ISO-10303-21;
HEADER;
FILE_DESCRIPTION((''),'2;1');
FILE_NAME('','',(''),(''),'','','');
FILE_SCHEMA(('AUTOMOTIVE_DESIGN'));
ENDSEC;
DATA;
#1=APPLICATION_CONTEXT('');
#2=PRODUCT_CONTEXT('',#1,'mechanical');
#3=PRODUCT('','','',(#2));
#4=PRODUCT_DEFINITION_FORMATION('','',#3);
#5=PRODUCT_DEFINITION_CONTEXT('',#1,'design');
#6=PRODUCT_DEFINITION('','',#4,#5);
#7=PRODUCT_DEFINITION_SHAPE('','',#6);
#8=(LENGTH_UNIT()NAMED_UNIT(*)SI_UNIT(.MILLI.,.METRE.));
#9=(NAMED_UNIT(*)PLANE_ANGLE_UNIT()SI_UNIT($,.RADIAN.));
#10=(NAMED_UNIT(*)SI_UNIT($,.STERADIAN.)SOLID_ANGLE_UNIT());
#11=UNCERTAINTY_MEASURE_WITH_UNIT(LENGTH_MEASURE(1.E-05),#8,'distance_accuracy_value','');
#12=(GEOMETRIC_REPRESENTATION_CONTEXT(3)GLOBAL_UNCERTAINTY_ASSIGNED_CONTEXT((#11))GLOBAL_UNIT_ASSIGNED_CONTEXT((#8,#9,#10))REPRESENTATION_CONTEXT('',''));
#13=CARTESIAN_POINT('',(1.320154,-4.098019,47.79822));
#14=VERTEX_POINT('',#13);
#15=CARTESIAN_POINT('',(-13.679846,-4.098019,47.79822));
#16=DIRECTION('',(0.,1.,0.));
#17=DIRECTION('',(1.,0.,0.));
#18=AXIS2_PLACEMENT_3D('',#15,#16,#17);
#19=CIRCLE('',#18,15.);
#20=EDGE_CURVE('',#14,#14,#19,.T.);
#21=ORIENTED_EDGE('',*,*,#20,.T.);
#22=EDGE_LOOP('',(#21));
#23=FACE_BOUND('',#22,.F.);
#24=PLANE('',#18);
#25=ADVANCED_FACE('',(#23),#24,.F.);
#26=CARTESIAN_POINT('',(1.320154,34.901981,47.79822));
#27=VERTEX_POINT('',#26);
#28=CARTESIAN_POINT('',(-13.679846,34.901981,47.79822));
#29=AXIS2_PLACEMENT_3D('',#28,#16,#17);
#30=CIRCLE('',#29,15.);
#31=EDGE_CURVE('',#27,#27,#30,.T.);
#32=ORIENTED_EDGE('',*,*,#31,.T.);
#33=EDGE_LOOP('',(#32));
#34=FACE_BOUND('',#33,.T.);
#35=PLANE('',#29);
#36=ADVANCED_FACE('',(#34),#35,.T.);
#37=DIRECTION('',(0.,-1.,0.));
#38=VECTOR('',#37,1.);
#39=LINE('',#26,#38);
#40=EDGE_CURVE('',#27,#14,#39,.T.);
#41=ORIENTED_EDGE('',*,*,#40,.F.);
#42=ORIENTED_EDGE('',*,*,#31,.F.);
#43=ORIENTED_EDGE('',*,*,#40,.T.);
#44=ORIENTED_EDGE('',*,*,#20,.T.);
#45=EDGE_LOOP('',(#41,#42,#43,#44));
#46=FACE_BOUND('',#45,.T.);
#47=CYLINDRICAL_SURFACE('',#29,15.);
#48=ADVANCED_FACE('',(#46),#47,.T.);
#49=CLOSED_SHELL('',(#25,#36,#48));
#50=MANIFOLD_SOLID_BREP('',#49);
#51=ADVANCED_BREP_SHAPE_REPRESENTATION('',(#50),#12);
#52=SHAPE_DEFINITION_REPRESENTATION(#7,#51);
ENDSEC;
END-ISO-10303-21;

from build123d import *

# Parameters (mm, degrees)
SKETCH1_R           = 15
BOSS_EXTRUDE1_DEPTH = 39


with BuildPart() as part:
    # Sketch1 → Boss-Extrude1 (new body)
    with BuildSketch(Plane(origin=(0, 34.901980518, 0), x_dir=(1, 0, 0), z_dir=(0, 1, 0))):
        with Locations((-13.679845786, -47.798220112)):
            Circle(SKETCH1_R)
    extrude(amount=-BOSS_EXTRUDE1_DEPTH)


solid = part.part
